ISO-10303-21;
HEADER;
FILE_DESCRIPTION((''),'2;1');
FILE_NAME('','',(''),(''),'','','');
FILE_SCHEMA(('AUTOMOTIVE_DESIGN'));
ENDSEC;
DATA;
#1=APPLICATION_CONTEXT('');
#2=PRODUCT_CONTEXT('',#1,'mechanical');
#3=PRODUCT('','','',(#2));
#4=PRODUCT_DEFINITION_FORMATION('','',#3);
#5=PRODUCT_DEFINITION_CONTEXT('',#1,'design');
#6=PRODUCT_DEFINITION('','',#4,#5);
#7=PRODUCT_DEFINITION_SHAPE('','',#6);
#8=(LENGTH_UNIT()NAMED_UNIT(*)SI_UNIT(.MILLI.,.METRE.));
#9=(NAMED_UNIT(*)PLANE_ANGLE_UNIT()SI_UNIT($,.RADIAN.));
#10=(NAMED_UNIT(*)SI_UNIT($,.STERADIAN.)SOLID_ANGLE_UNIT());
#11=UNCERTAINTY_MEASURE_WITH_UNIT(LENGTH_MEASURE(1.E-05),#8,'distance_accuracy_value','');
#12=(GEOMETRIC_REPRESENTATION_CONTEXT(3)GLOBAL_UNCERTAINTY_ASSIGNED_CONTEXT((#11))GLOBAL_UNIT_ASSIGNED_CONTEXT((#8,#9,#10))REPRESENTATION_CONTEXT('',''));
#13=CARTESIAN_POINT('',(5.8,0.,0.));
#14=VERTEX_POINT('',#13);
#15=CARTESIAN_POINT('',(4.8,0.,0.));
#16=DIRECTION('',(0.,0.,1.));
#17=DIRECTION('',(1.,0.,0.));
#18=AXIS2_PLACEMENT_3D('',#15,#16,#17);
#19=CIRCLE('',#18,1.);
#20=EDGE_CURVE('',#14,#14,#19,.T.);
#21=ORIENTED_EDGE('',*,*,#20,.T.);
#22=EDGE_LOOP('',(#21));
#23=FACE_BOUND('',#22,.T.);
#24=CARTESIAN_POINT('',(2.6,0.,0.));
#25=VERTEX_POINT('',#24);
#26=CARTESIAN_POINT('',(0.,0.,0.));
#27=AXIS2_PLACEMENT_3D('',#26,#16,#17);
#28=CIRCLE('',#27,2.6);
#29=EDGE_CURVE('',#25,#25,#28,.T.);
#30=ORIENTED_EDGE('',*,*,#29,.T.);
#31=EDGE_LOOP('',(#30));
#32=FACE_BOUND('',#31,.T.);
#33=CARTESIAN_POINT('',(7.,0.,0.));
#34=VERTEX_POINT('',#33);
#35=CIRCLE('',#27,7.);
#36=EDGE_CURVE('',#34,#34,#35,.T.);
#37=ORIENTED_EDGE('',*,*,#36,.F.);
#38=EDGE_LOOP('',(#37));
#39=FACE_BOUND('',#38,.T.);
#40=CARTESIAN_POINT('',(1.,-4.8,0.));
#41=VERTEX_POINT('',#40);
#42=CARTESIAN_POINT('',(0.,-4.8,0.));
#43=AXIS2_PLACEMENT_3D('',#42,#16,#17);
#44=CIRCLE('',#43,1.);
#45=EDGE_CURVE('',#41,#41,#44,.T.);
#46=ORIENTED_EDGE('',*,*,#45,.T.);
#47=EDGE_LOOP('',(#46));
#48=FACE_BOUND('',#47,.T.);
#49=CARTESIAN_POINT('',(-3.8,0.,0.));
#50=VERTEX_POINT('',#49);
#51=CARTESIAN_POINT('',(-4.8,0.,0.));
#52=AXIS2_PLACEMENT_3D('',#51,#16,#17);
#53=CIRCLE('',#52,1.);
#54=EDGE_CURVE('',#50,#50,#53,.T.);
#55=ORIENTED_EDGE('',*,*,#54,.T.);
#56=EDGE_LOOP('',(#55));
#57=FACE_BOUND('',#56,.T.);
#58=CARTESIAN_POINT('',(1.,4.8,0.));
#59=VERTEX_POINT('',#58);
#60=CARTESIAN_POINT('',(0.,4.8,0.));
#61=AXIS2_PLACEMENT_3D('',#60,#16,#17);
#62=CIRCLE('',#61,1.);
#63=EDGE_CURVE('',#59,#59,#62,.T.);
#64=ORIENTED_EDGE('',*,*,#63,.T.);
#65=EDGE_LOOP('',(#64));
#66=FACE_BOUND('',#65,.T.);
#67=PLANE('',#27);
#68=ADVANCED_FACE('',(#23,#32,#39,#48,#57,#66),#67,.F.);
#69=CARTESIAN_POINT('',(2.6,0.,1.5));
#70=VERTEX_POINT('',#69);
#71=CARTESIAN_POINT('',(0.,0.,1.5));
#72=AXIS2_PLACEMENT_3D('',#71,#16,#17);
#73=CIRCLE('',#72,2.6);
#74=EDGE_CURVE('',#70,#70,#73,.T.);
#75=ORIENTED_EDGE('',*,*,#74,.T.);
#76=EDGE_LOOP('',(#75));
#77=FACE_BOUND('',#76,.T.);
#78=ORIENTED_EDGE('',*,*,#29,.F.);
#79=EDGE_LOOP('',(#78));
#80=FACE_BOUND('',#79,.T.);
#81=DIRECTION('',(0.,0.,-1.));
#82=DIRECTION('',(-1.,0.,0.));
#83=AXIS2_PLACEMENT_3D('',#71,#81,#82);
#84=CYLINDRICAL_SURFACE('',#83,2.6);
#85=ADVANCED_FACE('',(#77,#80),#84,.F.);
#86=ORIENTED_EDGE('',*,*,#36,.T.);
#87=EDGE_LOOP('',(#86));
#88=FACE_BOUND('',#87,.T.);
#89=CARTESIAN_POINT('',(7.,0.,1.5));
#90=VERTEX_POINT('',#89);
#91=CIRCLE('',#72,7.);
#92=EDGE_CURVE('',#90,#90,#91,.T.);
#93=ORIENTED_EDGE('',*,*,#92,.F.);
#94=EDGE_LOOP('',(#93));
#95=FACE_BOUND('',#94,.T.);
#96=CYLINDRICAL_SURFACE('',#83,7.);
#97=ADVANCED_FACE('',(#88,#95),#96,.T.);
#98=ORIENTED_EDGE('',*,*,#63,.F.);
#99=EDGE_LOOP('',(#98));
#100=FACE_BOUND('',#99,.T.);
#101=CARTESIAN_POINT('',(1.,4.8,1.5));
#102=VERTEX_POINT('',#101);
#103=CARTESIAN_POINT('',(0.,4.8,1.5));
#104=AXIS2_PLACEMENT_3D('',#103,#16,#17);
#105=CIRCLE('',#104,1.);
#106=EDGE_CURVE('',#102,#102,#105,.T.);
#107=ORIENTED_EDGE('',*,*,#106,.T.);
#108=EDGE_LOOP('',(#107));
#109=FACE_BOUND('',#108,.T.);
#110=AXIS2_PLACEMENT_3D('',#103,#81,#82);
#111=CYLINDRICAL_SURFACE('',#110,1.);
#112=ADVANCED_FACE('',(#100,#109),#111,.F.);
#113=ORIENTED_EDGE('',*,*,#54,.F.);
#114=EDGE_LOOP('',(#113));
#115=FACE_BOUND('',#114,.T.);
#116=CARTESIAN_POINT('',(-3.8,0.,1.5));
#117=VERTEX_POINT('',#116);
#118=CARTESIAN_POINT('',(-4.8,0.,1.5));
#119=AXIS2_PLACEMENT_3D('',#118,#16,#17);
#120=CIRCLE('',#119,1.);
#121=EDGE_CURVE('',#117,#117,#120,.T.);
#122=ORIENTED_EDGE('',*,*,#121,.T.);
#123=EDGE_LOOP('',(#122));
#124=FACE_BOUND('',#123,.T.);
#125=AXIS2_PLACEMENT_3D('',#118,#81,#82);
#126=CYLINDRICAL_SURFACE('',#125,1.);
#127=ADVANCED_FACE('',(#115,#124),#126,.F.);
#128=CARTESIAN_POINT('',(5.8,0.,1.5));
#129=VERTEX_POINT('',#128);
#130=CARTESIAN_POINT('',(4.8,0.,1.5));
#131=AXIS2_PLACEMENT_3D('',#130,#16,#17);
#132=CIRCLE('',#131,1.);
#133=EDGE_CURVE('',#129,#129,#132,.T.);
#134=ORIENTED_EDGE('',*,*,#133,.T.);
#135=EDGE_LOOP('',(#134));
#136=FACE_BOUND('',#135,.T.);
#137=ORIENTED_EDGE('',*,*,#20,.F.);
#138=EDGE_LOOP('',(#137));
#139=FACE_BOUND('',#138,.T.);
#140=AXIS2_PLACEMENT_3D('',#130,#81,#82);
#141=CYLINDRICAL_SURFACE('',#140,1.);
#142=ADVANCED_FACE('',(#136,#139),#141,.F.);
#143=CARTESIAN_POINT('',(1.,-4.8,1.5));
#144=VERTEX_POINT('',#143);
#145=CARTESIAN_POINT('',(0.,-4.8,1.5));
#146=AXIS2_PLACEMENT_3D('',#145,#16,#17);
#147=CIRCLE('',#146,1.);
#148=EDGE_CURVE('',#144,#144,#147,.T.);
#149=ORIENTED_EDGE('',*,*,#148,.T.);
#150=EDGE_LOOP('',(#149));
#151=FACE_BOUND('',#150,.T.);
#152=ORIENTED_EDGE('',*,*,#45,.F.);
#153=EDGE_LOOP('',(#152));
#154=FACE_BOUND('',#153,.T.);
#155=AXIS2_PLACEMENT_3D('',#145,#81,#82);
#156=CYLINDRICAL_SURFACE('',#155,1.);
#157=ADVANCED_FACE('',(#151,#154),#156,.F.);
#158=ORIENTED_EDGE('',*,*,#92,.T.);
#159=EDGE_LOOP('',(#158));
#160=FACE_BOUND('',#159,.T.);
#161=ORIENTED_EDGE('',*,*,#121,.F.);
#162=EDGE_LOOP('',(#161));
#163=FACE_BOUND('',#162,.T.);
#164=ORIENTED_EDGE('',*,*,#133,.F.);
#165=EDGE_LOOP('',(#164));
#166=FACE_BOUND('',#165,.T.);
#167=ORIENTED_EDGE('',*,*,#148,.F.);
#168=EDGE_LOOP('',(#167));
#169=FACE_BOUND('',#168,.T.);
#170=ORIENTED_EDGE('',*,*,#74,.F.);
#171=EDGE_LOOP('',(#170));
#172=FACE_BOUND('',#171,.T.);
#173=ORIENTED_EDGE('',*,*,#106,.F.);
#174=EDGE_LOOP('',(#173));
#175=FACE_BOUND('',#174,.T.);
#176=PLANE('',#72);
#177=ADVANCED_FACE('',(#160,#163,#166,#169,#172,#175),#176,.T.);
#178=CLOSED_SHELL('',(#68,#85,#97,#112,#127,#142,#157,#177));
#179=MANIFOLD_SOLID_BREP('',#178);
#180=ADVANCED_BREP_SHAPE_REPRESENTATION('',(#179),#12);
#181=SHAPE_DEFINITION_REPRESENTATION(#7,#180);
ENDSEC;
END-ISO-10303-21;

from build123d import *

# Parameters (mm, degrees)
SKETCH_1_R      = 7
SKETCH_1_R_2    = 2.6
SKETCH_1_R_3    = 1
EXTRUDE_1_DEPTH = 1.5


with BuildPart() as part:
    # Эскиз1 → Бобышка-Вытянуть1 (new body)
    with BuildSketch(Plane.XY):
        Circle(SKETCH_1_R)
        Circle(SKETCH_1_R_2, mode=Mode.SUBTRACT)
        with Locations((-4.8, 0)):
            Circle(SKETCH_1_R_3, mode=Mode.SUBTRACT)
        with Locations((0, 4.8)):
            Circle(SKETCH_1_R_3, mode=Mode.SUBTRACT)
        with Locations((4.8, 0)):
            Circle(SKETCH_1_R_3, mode=Mode.SUBTRACT)
        with Locations((0, -4.8)):
            Circle(SKETCH_1_R_3, mode=Mode.SUBTRACT)
    extrude(amount=EXTRUDE_1_DEPTH)


solid = part.part
